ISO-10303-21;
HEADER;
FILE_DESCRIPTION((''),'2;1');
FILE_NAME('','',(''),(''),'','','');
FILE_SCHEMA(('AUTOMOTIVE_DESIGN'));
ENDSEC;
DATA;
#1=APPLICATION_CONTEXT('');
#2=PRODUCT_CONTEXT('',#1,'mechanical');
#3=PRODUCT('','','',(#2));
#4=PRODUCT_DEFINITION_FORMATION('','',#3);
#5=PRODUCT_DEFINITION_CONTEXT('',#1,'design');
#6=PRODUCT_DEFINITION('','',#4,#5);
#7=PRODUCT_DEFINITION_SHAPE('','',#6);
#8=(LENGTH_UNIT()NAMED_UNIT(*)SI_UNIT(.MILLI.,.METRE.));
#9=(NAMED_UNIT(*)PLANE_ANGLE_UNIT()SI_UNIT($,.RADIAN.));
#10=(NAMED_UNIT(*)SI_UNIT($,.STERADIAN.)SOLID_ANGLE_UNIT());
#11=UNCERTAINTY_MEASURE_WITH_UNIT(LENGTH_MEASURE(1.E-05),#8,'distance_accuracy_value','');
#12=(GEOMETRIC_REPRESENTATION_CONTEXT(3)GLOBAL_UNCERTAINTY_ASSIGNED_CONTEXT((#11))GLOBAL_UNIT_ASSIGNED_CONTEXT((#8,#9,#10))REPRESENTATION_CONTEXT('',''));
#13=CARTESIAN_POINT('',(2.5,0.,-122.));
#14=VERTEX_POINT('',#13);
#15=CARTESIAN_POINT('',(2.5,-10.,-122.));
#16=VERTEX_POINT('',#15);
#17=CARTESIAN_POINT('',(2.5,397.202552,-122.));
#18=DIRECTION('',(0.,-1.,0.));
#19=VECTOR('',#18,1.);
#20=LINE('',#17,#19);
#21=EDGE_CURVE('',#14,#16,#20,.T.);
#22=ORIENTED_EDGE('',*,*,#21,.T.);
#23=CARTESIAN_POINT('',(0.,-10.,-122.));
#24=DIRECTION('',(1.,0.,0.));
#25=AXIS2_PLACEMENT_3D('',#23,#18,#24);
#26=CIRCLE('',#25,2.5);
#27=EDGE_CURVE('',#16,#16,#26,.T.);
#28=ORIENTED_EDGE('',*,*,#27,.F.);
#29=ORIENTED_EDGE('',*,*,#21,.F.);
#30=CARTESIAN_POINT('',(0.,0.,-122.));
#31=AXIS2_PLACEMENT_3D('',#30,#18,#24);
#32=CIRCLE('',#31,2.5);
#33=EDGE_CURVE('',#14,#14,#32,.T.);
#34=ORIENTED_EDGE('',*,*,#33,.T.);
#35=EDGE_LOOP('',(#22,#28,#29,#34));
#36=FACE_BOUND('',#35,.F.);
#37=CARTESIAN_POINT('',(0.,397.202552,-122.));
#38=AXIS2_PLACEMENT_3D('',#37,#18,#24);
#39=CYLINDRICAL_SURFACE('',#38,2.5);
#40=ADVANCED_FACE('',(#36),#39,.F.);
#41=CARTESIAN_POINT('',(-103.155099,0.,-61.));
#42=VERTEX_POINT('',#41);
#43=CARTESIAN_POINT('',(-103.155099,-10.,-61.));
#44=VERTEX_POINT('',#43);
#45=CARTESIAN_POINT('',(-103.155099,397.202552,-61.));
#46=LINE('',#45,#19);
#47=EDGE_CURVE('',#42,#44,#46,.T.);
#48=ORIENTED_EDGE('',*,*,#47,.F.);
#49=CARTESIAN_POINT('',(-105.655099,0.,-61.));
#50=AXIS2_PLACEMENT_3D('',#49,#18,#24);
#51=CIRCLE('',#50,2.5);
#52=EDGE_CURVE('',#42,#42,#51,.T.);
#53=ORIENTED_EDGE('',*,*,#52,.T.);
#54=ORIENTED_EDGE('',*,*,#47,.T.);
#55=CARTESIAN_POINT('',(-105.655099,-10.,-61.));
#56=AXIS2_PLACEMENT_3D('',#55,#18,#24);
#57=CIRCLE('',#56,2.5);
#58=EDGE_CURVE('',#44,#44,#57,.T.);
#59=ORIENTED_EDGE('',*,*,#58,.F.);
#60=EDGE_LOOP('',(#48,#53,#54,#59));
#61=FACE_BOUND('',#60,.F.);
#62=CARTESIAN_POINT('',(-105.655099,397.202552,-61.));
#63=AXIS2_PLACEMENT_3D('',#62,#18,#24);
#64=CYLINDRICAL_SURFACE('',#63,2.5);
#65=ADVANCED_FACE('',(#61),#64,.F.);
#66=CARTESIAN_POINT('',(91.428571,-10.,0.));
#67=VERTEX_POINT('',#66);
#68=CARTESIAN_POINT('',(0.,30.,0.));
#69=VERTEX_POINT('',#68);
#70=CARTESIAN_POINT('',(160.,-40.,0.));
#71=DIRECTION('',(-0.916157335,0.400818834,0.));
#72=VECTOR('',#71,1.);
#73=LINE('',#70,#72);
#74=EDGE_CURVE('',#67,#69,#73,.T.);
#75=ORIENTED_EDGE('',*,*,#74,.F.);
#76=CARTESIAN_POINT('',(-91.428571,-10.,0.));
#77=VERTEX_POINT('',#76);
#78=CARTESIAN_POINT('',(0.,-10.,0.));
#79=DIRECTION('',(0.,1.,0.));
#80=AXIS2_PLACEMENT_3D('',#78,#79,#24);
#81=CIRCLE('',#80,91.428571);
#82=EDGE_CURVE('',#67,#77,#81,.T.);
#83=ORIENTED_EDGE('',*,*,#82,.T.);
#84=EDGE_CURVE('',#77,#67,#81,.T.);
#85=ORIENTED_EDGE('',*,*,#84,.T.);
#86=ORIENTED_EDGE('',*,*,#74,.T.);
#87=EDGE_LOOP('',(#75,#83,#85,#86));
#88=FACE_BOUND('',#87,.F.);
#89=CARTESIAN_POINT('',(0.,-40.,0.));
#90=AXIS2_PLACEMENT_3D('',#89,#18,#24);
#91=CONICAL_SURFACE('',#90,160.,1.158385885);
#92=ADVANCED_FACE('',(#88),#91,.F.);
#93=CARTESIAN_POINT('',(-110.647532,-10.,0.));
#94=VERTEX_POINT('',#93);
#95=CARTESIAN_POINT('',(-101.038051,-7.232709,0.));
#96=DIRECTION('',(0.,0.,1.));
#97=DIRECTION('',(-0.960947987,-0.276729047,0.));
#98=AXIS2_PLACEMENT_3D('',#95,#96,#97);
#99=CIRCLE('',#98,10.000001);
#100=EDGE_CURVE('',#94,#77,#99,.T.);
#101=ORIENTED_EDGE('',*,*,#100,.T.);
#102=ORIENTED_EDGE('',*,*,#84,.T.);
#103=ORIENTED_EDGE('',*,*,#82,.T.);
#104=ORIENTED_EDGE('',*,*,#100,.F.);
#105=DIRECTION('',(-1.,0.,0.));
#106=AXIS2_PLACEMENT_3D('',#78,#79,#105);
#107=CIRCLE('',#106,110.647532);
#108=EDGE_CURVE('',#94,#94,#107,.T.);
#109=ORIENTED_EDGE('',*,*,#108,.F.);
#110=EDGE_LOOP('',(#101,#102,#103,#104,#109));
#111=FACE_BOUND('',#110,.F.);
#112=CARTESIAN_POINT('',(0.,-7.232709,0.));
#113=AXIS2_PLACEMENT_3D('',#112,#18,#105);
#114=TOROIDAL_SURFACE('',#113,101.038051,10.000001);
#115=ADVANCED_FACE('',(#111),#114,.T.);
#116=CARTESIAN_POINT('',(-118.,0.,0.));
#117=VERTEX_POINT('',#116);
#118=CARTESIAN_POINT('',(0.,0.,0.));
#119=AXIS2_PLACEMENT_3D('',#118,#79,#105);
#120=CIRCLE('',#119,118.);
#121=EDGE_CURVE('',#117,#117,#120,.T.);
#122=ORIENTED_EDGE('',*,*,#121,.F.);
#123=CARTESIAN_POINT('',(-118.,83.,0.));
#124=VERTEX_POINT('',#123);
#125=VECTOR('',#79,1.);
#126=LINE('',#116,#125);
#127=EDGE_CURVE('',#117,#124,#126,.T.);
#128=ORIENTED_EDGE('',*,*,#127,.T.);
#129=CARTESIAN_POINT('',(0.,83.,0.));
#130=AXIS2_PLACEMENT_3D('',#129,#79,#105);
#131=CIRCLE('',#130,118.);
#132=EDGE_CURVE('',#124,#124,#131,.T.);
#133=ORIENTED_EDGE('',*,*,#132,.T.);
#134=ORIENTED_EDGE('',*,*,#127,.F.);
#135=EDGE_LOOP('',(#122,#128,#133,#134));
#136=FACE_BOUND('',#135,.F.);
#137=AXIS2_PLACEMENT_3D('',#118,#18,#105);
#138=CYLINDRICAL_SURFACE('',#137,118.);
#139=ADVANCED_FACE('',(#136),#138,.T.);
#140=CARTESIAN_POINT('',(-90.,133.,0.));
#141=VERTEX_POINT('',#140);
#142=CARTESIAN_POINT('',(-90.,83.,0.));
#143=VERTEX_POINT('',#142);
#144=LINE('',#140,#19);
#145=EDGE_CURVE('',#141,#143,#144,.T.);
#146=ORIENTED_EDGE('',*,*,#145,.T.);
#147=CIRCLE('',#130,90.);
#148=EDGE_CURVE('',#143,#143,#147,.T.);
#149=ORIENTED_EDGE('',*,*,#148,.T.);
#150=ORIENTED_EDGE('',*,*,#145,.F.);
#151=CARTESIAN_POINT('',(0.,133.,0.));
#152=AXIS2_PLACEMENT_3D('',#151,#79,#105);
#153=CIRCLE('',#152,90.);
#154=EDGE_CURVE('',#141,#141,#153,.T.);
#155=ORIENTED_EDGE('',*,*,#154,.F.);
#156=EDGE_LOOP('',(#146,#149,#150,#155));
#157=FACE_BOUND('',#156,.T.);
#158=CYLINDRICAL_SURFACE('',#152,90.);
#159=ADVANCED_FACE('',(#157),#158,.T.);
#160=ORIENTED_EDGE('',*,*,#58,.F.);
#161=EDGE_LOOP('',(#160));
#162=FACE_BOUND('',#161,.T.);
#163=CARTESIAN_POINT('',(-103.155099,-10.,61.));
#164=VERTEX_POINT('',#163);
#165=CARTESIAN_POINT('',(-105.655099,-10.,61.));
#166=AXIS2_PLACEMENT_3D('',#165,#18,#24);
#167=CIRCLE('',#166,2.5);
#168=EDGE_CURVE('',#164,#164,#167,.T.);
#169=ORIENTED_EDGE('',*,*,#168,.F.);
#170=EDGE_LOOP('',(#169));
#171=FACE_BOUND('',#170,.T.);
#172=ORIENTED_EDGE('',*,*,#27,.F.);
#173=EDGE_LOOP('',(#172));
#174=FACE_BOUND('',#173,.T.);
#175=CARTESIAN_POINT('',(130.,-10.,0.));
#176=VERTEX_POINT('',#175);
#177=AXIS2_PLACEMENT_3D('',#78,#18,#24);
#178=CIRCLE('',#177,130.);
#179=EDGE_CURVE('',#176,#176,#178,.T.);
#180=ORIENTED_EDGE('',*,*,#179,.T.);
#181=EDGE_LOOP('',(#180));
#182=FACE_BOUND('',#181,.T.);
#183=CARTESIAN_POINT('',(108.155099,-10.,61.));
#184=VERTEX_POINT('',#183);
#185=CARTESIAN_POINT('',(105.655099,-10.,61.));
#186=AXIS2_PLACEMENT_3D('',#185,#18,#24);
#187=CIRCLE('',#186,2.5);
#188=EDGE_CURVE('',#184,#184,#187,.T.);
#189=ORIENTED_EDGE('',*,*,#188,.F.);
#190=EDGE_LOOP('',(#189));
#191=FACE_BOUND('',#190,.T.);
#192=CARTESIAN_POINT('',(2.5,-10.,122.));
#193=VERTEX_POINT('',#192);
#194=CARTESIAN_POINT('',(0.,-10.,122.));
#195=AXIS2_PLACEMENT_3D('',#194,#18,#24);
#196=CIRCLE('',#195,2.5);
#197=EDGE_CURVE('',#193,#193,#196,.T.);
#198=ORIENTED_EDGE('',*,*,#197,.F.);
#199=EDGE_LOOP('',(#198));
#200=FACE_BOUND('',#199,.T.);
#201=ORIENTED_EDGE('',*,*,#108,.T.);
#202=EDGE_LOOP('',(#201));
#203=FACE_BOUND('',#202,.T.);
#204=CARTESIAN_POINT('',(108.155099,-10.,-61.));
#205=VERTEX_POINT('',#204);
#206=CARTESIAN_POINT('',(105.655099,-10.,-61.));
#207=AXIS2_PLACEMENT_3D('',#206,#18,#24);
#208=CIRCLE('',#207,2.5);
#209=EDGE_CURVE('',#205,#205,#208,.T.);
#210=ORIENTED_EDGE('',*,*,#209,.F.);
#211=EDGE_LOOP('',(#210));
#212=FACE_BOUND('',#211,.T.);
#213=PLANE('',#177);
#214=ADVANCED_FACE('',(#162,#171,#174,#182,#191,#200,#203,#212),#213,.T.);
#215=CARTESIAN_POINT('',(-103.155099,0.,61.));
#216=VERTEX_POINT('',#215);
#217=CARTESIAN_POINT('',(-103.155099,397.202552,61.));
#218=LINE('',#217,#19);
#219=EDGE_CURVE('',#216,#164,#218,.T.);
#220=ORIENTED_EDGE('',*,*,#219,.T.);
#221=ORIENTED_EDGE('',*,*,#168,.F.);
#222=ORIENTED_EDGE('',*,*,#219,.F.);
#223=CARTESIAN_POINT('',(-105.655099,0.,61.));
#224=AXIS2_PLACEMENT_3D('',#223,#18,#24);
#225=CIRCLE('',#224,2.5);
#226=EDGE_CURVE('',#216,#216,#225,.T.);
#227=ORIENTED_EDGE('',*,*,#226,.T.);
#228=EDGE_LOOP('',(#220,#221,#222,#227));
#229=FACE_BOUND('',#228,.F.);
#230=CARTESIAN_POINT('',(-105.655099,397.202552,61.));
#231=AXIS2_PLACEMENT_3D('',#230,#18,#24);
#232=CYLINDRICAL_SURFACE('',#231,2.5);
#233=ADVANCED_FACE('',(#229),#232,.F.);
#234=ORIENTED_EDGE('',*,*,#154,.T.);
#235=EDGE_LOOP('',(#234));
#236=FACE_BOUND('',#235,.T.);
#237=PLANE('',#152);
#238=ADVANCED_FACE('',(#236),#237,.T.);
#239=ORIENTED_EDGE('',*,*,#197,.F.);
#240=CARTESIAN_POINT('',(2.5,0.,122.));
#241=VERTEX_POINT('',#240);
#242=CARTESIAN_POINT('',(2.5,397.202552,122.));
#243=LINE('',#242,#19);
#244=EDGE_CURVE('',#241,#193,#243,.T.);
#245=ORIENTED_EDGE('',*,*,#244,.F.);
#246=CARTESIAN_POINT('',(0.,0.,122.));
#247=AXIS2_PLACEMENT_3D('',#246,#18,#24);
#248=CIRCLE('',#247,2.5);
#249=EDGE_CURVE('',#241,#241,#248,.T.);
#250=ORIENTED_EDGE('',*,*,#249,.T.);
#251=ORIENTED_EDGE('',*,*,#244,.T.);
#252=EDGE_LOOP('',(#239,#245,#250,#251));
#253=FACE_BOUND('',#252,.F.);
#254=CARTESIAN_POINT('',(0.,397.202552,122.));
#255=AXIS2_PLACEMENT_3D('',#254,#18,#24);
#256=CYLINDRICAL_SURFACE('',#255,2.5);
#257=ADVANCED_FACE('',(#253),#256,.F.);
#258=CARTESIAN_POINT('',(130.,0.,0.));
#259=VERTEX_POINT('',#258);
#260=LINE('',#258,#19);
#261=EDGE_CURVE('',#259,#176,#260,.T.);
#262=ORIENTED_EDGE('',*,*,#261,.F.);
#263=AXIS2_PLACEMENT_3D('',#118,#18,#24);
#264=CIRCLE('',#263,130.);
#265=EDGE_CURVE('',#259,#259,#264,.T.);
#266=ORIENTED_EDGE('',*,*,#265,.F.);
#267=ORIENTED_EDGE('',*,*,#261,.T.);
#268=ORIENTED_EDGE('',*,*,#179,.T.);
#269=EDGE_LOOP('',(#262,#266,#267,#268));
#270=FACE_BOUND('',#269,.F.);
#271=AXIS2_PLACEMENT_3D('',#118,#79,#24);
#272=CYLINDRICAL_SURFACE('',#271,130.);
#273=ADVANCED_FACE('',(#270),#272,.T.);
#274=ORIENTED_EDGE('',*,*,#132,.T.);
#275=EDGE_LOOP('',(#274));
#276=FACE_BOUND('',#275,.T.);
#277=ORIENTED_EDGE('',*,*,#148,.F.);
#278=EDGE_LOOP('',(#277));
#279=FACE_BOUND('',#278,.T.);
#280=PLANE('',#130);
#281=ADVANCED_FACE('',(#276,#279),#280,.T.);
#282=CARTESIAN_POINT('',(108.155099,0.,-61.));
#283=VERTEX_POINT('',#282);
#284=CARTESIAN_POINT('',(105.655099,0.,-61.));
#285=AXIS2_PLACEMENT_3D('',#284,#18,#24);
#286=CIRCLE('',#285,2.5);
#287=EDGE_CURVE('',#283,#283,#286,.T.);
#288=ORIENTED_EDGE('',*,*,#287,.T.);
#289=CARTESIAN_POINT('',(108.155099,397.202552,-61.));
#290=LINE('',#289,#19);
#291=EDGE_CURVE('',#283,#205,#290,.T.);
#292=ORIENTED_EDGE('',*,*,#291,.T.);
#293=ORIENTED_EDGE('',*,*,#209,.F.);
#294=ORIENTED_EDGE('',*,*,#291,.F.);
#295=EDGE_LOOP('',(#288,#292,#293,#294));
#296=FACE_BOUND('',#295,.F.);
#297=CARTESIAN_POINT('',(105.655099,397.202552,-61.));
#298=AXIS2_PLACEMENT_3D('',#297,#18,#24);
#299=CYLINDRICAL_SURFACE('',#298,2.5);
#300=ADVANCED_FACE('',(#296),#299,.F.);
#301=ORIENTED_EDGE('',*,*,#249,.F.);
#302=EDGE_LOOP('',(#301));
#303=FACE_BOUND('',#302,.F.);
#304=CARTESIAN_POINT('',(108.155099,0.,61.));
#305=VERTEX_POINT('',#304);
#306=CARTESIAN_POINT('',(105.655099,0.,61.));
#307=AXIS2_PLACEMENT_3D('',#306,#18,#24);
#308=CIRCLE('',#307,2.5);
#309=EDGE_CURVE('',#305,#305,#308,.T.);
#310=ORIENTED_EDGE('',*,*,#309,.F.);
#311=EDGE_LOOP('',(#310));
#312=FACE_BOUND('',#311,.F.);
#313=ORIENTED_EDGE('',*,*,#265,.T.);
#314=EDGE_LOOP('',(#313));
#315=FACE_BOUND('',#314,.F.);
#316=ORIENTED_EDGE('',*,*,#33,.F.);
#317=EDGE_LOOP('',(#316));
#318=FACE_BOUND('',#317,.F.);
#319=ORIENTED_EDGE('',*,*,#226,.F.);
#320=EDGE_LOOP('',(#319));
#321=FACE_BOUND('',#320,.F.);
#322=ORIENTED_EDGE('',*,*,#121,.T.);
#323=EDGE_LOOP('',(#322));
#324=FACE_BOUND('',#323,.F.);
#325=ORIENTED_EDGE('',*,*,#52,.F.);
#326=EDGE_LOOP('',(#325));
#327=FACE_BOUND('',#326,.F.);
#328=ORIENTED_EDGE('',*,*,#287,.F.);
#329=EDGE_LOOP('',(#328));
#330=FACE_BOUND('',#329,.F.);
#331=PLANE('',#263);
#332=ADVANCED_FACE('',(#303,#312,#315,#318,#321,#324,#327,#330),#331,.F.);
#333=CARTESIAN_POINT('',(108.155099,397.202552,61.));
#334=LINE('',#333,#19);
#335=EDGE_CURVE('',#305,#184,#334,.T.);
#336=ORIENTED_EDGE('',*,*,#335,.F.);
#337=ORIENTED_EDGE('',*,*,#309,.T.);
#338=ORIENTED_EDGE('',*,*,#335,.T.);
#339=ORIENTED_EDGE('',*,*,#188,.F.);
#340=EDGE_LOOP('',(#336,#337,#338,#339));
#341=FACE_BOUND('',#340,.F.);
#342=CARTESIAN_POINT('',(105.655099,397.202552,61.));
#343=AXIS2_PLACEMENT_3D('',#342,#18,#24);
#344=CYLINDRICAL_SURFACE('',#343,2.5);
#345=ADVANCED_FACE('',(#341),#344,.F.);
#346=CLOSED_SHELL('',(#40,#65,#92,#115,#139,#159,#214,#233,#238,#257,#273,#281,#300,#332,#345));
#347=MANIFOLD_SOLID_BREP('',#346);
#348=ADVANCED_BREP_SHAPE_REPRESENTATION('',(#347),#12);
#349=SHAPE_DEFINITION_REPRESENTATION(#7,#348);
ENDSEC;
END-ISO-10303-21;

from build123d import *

# Parameters (mm, degrees)
F0_R      = 130
F1_DEPTH  = 10
F2_R      = 118
F3_DEPTH  = 133
F9_D      = 5
F10_R     = 118
F10_R_2   = 90
F11_DEPTH = 50


with BuildPart() as f1:
    # F0 (on Front) → F1 (new body)
    with BuildSketch(Plane.XZ):
        Circle(F0_R)
    extrude(amount=F1_DEPTH)

    # F2 (on face) → F3 (join)
    with BuildSketch(Plane(origin=(0, 0, 0), x_dir=(-1, 0, 0), z_dir=(0, 1, 0))):
        Circle(F2_R)
    extrude(amount=F3_DEPTH)

    # F4 (on Top) → F5 (revolve, cut)
    with BuildSketch(Plane.XY):
        Polygon((0, 0), (0, -40), (160, -40), (0, 30), align=None)
    revolve(axis=Axis((0, -20, 0), (0, 1, 0)), mode=Mode.SUBTRACT)

    # F6 (on Top) → F7 (revolve)
    with BuildSketch(Plane.XY):
        with BuildLine():
            Line((-91.428571, -10), (-110.647532, -10))
            ThreePointArc((-110.647532, -10), (-101.038052, -17.23271), (-91.428571, -10))
        make_face()
    revolve(axis=Axis((0, -10, 0), (0, 1, 0)))

    # F9 (through all)
    with Locations(Plane(origin=(0, 0, 0), x_dir=(-1, 0, 0), z_dir=(0, 1, 0))):
        with Locations((105.655099, 61), (105.655099, -61), (0, -122), (0, 122), (-105.655099, 61), (-105.655099, -61)):
            Hole(F9_D / 2)

    # F10 (on face) → F11 (cut)
    with BuildSketch(Plane(origin=(0, 133, 0), x_dir=(-1, 0, 0), z_dir=(0, 1, 0))):
        Circle(F10_R)
        Circle(F10_R_2, mode=Mode.SUBTRACT)
    extrude(amount=-F11_DEPTH, mode=Mode.SUBTRACT)


solid = f1.part
